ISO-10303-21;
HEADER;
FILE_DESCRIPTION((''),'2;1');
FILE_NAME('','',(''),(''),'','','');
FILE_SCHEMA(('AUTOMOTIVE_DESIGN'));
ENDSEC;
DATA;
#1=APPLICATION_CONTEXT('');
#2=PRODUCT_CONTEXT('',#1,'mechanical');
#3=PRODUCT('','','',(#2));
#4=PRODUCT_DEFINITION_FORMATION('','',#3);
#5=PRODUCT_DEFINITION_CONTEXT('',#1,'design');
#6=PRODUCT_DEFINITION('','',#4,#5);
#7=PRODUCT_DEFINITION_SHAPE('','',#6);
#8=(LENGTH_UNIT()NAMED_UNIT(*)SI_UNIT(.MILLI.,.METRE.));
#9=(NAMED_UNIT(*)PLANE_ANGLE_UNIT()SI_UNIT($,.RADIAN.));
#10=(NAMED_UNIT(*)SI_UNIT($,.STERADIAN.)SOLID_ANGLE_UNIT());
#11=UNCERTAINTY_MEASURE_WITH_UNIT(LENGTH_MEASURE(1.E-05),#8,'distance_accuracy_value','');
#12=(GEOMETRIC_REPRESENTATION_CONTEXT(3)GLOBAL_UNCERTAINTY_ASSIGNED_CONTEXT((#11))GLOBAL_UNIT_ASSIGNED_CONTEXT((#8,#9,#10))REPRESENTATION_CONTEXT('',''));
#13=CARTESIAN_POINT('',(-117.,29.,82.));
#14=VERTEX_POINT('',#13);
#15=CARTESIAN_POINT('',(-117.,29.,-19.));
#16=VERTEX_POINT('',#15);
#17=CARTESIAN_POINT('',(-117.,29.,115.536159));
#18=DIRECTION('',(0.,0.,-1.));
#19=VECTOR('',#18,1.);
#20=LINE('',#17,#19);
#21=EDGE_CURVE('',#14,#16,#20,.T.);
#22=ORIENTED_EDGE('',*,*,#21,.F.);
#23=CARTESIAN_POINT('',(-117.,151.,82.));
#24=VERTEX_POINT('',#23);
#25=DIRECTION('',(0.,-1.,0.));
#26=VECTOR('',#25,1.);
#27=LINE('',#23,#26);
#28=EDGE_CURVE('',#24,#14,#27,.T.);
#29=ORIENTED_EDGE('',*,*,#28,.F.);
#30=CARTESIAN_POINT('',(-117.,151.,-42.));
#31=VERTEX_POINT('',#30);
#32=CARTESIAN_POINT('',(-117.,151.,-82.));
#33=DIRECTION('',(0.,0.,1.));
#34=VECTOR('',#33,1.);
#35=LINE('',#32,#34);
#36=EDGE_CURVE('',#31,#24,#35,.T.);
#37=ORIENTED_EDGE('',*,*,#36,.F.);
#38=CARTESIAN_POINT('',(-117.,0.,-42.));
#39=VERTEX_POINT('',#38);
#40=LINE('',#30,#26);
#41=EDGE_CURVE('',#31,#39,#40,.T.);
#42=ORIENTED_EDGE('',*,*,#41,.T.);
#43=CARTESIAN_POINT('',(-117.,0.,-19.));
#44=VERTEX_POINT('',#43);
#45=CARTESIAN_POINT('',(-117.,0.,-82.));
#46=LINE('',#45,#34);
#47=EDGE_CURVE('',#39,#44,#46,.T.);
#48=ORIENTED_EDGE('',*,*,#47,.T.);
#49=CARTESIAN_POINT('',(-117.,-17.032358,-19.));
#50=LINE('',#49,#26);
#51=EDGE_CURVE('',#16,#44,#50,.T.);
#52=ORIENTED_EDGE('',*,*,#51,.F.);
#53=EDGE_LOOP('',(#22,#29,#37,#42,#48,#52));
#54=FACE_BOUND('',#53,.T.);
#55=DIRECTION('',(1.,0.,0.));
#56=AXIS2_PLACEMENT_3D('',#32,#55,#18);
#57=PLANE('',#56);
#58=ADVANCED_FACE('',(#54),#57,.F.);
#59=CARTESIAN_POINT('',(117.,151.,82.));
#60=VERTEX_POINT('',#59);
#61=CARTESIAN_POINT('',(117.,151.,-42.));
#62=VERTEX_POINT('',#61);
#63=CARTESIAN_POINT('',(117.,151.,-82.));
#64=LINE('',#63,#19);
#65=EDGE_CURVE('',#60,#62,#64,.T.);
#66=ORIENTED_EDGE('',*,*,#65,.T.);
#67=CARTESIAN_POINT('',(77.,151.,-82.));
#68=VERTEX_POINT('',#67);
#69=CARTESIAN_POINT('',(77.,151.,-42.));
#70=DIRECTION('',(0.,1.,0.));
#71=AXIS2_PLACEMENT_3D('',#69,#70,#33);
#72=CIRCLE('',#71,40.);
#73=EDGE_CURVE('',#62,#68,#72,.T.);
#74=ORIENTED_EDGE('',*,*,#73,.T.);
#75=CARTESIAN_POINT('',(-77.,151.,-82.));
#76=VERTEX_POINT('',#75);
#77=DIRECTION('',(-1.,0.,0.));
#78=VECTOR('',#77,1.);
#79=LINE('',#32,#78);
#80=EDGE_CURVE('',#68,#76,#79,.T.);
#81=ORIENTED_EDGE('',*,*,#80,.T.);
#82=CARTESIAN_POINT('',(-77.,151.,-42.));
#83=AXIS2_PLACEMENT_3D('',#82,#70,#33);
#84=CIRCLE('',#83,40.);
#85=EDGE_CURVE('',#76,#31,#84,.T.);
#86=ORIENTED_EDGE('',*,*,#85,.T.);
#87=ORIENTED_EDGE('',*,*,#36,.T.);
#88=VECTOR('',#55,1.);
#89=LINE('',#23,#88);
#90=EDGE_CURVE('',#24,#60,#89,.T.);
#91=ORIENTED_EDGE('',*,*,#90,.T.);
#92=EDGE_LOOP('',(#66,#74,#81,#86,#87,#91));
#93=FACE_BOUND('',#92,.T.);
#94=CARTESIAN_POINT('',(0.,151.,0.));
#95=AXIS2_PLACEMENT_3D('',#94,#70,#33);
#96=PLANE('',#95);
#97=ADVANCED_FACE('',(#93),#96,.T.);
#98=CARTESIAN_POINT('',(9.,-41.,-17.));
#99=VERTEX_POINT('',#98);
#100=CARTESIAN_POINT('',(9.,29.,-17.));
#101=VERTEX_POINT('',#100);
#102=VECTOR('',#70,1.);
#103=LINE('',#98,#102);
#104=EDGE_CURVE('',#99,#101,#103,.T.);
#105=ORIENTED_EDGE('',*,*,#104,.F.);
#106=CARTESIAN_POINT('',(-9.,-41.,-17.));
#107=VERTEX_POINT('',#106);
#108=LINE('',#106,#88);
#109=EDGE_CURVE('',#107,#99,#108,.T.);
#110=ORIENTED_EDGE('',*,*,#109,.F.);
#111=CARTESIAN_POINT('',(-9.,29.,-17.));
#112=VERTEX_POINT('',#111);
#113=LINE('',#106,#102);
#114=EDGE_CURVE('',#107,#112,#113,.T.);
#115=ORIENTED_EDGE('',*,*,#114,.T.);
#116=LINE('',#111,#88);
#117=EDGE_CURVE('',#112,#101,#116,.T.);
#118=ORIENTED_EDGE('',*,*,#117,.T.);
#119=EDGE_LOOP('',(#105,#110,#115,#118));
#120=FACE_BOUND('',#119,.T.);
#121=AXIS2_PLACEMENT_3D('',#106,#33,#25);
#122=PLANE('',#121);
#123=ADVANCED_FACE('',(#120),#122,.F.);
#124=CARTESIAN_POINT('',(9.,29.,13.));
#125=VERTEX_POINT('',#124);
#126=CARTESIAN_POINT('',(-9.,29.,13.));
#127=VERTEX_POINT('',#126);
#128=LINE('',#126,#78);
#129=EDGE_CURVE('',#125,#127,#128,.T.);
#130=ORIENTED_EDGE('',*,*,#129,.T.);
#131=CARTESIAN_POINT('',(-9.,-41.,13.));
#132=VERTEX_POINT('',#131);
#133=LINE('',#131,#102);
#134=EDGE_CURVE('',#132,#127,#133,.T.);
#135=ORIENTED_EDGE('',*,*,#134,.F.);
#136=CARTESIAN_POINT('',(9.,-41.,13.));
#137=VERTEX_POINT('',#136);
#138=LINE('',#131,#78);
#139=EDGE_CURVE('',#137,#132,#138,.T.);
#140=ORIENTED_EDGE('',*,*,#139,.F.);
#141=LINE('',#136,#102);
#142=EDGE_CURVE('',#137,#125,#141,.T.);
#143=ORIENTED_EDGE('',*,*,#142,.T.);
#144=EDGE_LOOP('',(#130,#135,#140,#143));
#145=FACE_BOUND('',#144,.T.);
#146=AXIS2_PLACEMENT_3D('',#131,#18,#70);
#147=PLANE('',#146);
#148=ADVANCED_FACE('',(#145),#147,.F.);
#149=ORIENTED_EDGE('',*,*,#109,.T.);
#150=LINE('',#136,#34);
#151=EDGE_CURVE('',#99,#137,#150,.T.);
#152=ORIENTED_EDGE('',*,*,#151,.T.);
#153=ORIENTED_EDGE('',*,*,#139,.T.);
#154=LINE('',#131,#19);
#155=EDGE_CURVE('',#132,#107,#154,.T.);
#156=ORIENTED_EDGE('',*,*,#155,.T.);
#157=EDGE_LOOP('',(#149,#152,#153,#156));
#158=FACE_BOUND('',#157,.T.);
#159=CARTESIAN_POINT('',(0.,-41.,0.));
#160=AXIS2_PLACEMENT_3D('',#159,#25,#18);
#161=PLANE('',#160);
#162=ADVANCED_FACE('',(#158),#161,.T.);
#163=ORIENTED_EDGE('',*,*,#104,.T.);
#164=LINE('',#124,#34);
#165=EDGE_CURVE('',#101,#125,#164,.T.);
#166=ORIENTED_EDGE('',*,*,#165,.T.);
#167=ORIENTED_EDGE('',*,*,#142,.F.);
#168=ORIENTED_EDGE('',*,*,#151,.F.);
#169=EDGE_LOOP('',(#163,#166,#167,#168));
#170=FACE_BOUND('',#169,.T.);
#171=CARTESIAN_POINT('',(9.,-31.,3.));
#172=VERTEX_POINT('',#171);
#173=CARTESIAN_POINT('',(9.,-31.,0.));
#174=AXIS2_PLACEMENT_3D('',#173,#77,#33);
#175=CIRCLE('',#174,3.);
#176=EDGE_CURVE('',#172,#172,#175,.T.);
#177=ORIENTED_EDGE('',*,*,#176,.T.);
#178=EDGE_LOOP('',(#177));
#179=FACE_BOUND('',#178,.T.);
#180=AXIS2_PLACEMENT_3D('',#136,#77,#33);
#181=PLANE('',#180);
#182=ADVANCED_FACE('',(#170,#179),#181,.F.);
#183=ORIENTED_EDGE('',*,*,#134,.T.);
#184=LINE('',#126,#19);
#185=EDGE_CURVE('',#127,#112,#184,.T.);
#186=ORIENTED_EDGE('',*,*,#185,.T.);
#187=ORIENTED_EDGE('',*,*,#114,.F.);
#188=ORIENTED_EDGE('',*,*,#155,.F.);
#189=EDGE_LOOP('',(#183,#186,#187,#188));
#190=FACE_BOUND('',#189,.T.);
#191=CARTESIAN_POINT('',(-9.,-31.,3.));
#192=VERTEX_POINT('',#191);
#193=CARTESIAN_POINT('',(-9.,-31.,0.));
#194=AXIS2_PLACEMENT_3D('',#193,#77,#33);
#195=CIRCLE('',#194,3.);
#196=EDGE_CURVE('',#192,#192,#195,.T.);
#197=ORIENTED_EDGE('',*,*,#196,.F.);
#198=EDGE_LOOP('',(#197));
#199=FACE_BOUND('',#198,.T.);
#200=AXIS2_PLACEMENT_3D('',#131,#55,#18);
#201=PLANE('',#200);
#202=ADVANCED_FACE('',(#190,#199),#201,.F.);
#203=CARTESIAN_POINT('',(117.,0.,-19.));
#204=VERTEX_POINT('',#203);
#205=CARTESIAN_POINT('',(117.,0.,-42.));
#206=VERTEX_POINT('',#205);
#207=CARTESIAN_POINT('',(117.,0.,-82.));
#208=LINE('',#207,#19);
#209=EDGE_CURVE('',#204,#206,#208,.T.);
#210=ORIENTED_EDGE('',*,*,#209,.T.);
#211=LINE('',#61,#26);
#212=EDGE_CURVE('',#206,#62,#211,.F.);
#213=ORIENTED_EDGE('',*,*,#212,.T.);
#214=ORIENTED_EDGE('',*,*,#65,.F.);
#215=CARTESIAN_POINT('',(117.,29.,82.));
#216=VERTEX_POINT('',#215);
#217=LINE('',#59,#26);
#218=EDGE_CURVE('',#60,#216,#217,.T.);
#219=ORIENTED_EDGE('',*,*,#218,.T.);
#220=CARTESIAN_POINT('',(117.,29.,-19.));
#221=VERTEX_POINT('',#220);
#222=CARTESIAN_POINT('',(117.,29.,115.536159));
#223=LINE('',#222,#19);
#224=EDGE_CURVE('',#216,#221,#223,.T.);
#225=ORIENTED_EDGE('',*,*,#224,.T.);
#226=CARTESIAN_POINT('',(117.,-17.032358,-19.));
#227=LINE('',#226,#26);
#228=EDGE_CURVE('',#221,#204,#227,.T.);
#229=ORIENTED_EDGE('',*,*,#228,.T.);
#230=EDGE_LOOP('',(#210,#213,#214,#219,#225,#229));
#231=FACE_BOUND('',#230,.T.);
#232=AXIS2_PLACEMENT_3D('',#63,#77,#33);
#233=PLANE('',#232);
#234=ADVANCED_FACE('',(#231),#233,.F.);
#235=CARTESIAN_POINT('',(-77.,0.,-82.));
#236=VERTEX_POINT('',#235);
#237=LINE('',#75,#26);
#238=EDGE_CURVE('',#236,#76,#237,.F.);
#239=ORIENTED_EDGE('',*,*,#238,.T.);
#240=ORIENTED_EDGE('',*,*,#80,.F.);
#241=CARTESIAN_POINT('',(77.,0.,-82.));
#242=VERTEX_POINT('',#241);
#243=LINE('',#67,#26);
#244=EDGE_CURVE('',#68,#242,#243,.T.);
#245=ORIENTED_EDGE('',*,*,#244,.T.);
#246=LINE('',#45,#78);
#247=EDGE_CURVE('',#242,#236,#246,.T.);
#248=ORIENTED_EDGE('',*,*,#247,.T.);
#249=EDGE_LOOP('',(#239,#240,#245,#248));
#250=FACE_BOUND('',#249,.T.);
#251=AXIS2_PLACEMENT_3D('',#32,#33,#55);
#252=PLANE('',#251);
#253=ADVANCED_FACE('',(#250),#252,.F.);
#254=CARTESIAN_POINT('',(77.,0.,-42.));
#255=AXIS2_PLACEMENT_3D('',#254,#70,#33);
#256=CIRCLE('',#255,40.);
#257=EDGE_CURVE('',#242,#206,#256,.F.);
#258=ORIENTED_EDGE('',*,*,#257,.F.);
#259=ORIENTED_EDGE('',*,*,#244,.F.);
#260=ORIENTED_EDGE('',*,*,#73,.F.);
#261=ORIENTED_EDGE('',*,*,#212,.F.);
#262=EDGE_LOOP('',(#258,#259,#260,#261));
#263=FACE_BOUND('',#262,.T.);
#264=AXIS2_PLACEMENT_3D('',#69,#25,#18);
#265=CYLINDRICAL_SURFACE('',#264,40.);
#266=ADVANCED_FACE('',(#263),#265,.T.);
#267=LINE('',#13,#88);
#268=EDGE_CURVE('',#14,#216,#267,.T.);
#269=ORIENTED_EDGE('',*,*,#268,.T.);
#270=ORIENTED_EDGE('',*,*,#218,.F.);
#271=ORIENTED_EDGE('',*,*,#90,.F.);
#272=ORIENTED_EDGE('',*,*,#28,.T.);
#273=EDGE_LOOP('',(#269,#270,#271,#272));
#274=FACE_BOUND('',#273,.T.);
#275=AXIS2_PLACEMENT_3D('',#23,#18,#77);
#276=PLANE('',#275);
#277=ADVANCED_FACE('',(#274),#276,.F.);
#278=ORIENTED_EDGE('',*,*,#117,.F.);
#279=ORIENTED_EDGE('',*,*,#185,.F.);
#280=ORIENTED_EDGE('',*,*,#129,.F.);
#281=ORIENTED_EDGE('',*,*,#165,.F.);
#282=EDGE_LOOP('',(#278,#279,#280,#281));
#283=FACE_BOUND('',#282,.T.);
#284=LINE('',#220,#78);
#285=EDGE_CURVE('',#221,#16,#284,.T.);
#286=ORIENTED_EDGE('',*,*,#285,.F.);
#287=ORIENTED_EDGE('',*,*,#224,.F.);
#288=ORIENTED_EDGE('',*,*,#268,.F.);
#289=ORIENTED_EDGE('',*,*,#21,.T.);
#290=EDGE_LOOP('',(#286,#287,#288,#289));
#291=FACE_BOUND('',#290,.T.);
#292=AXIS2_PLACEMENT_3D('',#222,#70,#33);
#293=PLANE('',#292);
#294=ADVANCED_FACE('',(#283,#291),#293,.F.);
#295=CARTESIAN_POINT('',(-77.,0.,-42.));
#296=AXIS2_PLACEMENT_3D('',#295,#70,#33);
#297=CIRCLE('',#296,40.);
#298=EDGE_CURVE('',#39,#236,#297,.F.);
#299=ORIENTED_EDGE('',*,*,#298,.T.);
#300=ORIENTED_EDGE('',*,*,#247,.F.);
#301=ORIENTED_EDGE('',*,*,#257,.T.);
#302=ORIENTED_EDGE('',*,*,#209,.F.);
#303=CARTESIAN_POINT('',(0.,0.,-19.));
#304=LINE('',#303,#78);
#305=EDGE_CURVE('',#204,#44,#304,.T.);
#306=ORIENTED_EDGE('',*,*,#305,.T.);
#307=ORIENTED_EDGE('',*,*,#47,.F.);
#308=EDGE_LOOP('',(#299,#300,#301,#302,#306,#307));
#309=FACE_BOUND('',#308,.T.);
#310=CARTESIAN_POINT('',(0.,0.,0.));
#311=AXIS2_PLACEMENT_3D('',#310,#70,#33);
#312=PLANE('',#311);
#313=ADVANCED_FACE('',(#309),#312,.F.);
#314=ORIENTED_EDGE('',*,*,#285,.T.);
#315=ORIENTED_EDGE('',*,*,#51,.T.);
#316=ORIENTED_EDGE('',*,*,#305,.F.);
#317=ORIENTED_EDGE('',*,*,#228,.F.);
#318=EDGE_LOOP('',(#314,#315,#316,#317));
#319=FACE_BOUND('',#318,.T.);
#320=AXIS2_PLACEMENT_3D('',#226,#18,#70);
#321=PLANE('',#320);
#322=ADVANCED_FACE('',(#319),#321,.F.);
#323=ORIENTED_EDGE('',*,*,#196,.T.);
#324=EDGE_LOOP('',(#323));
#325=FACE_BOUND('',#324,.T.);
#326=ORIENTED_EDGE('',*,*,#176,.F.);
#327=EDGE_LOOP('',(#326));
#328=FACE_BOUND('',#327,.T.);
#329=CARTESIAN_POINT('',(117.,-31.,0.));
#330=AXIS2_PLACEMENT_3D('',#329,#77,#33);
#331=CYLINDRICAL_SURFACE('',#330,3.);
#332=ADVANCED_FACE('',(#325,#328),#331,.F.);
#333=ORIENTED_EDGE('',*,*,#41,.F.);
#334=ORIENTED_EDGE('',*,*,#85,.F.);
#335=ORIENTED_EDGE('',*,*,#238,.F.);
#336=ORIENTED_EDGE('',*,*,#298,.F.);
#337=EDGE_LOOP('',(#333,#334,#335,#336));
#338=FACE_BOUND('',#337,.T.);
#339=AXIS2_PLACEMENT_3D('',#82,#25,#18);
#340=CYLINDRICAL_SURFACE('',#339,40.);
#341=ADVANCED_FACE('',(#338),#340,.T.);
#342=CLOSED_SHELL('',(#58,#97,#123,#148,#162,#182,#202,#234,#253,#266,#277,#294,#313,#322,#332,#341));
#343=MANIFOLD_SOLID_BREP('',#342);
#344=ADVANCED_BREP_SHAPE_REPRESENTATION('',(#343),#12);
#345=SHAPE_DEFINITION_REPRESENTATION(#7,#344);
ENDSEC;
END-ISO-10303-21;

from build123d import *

# Parameters (mm, degrees)
SKETCH1_W           = 234
SKETCH1_H           = 164
BOSS_EXTRUDE1_DEPTH = 151
SKETCH2_W           = 134.536158908
SKETCH2_H           = 46.032358143
CUT_EXTRUDE1_DEPTH  = 291.311901237
FILLET1_R           = 40
SKETCH3_W           = 18
SKETCH3_H           = 30
BOSS_EXTRUDE2_DEPTH = 70
SKETCH4_R           = 3
CUT_EXTRUDE2_DEPTH  = 214.07510413


with BuildPart() as part:
    # Sketch1 → Boss-Extrude1 (new body)
    with BuildSketch(Plane(origin=(0, 0, 0), x_dir=(1, 0, 0), z_dir=(0, 1, 0))):
        Rectangle(SKETCH1_W, SKETCH1_H)
    extrude(amount=BOSS_EXTRUDE1_DEPTH)

    # Sketch2 → Cut-Extrude1 (cut, through all)
    with BuildSketch(Plane.ZY.offset(117)):
        with Locations((48.268079454, 5.983820929)):
            Rectangle(SKETCH2_W, SKETCH2_H)
    extrude(amount=-CUT_EXTRUDE1_DEPTH, mode=Mode.SUBTRACT)

    # Fillet1
    fillet1_edges = [part.edges().sort_by_distance(p)[0] for p in [
        (-117, 75.5, -82),
        (117, 75.5, -82),
    ]]
    fillet(fillet1_edges, radius=FILLET1_R)

    # Sketch3 → Boss-Extrude2 (add)
    with BuildSketch(Plane.XZ.offset(-29)):
        with Locations((0, -2)):
            Rectangle(SKETCH3_W, SKETCH3_H)
    extrude(amount=BOSS_EXTRUDE2_DEPTH)

    # Sketch4 → Cut-Extrude2 (cut, through all)
    with BuildSketch(Plane.ZY.offset(9)):
        with Locations((0, -31)):
            Circle(SKETCH4_R)
    extrude(amount=-CUT_EXTRUDE2_DEPTH, mode=Mode.SUBTRACT)


solid = part.part
